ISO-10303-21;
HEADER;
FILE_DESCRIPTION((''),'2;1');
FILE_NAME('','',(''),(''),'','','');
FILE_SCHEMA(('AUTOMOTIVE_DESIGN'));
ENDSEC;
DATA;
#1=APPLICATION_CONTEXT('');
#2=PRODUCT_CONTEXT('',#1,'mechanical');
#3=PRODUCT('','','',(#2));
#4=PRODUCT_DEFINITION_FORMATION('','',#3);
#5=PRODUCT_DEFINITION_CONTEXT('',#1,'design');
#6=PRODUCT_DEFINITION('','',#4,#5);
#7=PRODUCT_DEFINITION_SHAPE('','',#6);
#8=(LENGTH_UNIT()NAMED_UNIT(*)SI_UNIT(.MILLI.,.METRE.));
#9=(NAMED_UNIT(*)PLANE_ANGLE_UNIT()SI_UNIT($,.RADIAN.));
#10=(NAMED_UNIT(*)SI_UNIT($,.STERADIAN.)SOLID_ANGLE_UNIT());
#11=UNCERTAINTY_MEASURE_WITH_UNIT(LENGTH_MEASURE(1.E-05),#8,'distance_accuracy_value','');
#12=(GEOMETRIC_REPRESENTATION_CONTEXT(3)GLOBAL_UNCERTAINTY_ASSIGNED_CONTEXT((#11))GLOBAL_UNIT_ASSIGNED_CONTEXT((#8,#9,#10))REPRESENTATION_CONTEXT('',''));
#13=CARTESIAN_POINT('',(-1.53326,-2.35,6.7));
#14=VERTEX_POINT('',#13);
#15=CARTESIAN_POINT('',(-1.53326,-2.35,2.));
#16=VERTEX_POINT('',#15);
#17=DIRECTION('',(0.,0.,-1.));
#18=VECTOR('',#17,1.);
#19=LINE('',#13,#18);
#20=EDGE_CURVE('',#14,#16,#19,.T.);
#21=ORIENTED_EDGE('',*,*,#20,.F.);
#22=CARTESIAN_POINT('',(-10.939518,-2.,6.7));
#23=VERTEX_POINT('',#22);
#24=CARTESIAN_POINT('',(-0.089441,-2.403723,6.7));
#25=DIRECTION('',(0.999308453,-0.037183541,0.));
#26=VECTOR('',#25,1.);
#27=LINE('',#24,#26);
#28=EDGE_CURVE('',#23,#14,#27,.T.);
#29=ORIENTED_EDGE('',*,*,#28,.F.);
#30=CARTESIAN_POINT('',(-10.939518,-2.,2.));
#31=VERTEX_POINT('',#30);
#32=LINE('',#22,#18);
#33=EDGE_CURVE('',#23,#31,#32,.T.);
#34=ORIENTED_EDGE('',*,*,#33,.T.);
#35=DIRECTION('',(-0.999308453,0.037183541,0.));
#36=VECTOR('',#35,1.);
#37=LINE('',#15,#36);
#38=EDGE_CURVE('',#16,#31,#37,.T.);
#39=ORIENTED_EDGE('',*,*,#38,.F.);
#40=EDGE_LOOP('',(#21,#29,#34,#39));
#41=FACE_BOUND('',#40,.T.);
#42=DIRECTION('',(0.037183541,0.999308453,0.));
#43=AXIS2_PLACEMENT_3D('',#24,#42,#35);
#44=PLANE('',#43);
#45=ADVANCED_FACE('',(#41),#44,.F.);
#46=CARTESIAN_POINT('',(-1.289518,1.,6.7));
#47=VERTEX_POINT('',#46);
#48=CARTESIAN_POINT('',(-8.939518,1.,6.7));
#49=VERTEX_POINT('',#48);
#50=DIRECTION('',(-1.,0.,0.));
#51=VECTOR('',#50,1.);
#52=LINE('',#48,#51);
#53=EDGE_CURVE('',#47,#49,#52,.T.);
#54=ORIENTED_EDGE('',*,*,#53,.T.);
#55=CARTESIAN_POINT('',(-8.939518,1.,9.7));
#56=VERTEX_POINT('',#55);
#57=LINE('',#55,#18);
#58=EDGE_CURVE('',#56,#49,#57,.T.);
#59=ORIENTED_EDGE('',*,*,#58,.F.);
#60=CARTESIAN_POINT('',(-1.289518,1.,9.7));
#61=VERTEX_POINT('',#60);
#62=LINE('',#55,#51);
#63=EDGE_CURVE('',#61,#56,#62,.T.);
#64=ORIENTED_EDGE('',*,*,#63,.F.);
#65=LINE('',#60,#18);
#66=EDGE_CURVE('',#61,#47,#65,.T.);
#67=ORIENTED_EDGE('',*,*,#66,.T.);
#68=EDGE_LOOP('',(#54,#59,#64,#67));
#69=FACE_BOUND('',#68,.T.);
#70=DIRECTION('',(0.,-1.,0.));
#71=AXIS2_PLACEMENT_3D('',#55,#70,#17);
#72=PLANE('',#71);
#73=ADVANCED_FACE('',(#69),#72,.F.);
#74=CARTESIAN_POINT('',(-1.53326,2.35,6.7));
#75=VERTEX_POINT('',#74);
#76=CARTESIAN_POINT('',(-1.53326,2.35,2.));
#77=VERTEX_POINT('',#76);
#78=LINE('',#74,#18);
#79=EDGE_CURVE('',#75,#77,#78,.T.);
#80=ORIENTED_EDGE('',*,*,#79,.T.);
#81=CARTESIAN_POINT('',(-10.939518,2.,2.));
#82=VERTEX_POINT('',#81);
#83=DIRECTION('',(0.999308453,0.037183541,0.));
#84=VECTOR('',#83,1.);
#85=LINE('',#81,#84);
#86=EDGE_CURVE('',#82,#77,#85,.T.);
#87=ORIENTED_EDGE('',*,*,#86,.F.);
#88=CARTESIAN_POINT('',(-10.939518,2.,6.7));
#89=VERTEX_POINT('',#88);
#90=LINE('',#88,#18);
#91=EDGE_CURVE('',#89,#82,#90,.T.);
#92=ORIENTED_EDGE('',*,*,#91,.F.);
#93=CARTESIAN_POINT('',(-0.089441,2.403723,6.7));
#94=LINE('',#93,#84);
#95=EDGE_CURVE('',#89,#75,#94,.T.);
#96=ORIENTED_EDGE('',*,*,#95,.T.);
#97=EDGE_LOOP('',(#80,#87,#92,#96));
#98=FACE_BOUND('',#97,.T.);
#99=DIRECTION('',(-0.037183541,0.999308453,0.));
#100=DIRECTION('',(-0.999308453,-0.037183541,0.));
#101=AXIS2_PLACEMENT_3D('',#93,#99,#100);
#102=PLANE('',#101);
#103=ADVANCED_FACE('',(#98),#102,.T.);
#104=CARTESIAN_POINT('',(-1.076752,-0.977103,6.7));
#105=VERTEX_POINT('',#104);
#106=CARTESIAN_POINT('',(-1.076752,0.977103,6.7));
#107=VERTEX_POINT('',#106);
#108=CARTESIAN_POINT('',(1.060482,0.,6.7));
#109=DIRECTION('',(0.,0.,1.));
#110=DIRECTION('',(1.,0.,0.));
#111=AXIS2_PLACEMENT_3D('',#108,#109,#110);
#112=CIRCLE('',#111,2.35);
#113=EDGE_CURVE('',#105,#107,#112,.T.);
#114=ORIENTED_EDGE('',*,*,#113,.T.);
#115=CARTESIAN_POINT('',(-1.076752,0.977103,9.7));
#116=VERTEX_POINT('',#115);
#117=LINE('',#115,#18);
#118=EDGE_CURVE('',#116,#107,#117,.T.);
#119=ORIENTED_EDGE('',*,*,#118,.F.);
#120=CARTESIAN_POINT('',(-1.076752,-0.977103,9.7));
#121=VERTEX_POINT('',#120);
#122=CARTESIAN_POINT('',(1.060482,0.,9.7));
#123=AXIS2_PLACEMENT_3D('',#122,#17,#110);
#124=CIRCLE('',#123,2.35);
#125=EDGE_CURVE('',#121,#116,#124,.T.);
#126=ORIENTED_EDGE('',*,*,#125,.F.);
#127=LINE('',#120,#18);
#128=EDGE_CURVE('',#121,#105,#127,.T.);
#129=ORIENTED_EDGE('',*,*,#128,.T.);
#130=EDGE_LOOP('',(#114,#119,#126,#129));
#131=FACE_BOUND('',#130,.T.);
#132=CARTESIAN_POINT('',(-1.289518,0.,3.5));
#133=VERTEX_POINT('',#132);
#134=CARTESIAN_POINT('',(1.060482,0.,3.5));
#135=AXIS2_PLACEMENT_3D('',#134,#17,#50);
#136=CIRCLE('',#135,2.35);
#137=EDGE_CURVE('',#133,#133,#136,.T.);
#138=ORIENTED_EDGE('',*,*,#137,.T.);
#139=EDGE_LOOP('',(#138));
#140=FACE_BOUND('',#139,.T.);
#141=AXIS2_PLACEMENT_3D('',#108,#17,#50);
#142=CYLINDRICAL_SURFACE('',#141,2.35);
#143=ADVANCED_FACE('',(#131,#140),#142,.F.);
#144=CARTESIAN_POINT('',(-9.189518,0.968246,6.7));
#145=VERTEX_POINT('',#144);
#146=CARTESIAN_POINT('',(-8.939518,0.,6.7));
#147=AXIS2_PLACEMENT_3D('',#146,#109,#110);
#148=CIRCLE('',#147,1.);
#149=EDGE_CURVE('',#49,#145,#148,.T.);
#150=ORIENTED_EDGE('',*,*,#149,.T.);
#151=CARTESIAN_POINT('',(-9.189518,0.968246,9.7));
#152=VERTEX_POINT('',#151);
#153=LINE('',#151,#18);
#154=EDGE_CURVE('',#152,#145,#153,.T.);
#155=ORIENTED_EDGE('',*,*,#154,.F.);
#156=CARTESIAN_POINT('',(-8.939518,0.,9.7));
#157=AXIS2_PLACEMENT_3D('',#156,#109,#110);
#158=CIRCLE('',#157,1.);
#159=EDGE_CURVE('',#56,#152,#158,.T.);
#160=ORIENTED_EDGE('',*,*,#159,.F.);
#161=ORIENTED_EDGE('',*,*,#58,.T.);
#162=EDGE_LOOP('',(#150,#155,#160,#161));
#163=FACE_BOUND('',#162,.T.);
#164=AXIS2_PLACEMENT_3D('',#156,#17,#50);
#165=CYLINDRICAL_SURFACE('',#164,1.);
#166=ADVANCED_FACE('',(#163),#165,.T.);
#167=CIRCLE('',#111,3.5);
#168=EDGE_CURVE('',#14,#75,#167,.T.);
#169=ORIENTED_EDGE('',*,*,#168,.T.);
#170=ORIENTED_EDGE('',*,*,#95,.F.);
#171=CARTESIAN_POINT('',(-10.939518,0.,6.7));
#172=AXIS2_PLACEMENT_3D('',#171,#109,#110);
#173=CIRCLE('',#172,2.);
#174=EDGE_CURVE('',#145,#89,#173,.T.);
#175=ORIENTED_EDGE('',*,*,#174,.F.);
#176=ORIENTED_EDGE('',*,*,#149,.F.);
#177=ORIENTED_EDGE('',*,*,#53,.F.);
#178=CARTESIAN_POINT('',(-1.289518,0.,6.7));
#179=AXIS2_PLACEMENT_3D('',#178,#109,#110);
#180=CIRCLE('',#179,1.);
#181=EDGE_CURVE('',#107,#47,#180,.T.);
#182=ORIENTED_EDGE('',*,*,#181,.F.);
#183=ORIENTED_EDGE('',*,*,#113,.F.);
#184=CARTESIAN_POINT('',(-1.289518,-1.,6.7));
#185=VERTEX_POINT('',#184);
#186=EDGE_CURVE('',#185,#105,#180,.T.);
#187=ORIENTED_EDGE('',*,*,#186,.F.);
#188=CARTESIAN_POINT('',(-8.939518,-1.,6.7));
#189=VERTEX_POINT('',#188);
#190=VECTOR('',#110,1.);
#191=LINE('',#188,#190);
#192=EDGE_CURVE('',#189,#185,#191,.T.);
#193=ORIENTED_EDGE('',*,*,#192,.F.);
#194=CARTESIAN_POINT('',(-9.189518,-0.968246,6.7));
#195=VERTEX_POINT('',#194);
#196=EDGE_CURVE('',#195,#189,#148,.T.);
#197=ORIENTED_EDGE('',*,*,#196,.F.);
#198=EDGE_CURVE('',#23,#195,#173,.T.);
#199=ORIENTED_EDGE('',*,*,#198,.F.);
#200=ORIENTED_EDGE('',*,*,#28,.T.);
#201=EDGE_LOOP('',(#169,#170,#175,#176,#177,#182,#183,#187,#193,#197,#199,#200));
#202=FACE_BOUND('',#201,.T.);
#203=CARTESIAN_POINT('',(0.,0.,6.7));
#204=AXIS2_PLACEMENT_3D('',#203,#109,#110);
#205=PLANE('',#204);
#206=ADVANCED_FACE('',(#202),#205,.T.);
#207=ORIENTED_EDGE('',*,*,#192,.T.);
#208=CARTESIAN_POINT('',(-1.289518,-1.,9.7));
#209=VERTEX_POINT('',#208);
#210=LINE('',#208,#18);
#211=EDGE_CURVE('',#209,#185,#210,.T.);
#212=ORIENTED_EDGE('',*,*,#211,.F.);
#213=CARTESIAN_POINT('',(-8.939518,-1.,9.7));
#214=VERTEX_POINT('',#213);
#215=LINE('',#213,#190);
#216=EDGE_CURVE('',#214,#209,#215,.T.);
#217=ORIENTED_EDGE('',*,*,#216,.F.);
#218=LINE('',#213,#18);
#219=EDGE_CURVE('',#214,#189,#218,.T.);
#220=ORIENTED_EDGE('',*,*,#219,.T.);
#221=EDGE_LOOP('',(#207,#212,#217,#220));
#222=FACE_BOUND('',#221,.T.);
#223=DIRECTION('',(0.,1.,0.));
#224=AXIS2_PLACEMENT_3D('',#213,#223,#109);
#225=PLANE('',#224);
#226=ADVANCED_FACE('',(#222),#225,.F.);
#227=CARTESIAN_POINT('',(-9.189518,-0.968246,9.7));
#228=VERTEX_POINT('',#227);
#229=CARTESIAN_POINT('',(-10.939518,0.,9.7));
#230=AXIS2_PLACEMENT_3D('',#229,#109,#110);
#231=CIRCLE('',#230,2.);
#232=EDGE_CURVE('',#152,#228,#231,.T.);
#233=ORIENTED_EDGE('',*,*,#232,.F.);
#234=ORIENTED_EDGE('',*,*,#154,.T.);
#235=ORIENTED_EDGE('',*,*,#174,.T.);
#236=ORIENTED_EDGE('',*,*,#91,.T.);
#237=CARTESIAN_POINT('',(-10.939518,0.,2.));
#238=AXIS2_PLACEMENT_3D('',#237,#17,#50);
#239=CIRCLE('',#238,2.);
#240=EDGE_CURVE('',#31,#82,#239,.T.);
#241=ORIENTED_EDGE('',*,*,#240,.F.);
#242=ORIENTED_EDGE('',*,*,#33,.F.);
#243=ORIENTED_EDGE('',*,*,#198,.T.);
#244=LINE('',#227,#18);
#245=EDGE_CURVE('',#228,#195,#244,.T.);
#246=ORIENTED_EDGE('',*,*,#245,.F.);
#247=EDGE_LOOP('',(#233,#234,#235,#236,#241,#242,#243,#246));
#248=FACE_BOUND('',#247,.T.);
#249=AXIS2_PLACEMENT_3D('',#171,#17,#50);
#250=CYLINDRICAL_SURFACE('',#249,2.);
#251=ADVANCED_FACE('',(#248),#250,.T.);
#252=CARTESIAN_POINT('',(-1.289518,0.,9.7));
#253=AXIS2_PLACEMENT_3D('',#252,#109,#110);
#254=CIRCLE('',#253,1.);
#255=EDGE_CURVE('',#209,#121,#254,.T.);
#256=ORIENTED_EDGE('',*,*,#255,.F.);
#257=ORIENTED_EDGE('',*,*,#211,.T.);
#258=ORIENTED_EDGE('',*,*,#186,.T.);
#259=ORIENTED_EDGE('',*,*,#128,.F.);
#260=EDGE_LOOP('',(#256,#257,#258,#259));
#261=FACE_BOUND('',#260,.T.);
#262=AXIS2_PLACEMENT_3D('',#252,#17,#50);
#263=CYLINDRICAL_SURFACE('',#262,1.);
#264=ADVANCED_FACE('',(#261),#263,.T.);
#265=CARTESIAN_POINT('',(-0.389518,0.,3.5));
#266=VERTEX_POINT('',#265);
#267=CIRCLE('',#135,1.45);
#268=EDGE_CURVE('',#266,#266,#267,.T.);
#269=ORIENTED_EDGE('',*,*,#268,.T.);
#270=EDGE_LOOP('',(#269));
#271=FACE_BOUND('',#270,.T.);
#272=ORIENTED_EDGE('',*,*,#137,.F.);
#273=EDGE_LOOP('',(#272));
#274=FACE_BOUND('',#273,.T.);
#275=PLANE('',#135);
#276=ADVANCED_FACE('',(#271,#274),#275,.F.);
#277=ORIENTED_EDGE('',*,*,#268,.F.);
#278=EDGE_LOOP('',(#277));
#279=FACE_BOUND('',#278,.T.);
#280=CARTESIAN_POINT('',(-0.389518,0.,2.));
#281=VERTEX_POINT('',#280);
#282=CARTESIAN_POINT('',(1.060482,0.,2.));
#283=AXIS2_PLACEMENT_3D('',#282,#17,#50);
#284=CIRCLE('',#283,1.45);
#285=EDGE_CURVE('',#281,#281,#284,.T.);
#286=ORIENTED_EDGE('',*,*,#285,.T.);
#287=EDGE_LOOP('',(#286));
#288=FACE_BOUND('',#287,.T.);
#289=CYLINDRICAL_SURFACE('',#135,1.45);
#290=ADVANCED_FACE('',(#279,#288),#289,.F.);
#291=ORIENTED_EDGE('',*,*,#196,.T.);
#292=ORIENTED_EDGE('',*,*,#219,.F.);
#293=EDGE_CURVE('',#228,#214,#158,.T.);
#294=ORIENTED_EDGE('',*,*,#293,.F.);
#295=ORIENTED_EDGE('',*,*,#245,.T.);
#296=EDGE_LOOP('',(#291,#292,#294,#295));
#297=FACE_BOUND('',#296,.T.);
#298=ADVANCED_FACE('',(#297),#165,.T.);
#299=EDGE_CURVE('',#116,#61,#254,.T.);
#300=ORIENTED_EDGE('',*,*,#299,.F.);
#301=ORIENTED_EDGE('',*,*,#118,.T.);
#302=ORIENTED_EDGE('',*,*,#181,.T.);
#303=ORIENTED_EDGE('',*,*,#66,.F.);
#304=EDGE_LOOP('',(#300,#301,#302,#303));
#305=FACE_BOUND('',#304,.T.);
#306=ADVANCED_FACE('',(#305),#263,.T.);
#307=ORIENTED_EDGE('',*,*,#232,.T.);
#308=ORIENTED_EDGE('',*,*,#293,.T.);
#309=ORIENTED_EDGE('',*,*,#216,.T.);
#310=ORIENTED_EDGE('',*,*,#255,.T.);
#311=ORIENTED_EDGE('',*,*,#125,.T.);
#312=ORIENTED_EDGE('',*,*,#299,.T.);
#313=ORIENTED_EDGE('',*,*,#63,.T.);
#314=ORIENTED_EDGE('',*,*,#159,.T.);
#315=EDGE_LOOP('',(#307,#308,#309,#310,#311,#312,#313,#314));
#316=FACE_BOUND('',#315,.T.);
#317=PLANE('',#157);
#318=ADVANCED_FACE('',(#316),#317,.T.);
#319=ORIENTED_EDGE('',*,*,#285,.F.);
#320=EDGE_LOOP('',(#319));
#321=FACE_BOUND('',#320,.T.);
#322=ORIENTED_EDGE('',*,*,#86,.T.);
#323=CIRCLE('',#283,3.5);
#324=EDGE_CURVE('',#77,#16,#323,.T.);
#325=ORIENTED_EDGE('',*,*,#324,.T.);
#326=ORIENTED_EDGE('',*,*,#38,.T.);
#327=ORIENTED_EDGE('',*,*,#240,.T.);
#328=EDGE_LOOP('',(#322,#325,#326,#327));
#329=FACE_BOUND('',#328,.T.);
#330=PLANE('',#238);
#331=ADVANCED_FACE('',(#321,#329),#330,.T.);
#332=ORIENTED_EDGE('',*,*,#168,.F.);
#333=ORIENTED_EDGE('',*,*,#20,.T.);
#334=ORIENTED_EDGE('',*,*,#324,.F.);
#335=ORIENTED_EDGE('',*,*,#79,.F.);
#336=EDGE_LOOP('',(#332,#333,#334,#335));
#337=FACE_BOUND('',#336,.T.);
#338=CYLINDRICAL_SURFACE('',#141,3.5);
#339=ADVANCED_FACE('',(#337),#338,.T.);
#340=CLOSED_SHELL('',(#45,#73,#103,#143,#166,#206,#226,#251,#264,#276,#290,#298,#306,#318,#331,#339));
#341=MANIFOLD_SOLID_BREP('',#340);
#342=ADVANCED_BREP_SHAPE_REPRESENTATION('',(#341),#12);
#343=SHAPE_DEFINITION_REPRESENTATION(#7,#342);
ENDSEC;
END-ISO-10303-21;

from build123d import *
from build123d.topology import SkipClean

# Parameters (mm, degrees)
SKETCH1_R           = 2.35
BOSS_EXTRUDE1_DEPTH = 6.7
BOSS_EXTRUDE2_DEPTH = 3
CUT_EXTRUDE1_DEPTH  = 2
SKETCH4_R           = 2.35
SKETCH4_R_2         = 1.45
BOSS_EXTRUDE3_DEPTH = 1.5


with BuildPart() as part:
    # Sketch1 → Boss-Extrude1 (new body)
    with BuildSketch(Plane.XY):
        with BuildLine():
            Line((-1.533260445, 2.35), (-10.939517975, 2))
            ThreePointArc((-10.939517975, 2), (-12.939517975, 0), (-10.939517975, -2))
            Line((-10.939517975, -2), (-1.533260445, -2.35))
            ThreePointArc((-1.533260445, -2.35), (4.560482025, 0), (-1.533260445, 2.35))
        make_face()
        with Locations((1.060482025, 0)):
            Circle(SKETCH1_R, mode=Mode.SUBTRACT)
    extrude(amount=BOSS_EXTRUDE1_DEPTH)

    # Sketch2 → Boss-Extrude2 (add)
    with SkipClean():  # the faces are left unmerged after this step: merging them gives an invalid solid
        with BuildSketch(Plane.XY.offset(6.7)):
            with BuildLine():
                Line((-8.939517975, 1), (-1.289517975, 1))
                ThreePointArc((-1.289517975, 1), (-1.18252076, 0.99425932), (-1.076752018, 0.977103192))
                ThreePointArc((-1.076752018, 0.977103192), (-1.289517975, 0), (-1.076752018, -0.977103192))
                ThreePointArc((-1.076752018, -0.977103192), (-1.18252076, -0.99425932), (-1.289517975, -1))
                Line((-1.289517975, -1), (-8.939517975, -1))
                ThreePointArc((-8.939517975, -1), (-9.065522268, -0.992029696), (-9.189517975, -0.968245837))
                ThreePointArc((-9.189517975, -0.968245837), (-12.939517975, 0), (-9.189517975, 0.968245837))
                ThreePointArc((-9.189517975, 0.968245837), (-9.065522268, 0.992029696), (-8.939517975, 1))
            make_face()
        extrude(amount=BOSS_EXTRUDE2_DEPTH)

    # Sketch3 → Cut-Extrude1 (cut)
    with SkipClean():  # the faces are left unmerged after this step: merging them gives an invalid solid
        with BuildSketch(Plane(origin=(0, 0, 0), x_dir=(-1, 0, 0), z_dir=(0, 0, -1))):
            with BuildLine():
                Line((10.939517975, 2), (1.533260445, 2.35))
                ThreePointArc((1.533260445, 2.35), (-4.560482025, 0), (1.533260445, -2.35))
                Line((1.533260445, -2.35), (10.939517975, -2))
                ThreePointArc((10.939517975, -2), (12.939517975, 0), (10.939517975, 2))
            make_face()
        extrude(amount=-CUT_EXTRUDE1_DEPTH, mode=Mode.SUBTRACT)

    # Sketch4 → Boss-Extrude3 (add)
    with SkipClean():  # the faces are left unmerged after this step: merging them gives an invalid solid
        with BuildSketch(Plane(origin=(0, 0, 2), x_dir=(-1, 0, 0), z_dir=(0, 0, -1))):
            with Locations((-1.060482025, 0)):
                Circle(SKETCH4_R)
            with Locations((-1.060482025, 0)):
                Circle(SKETCH4_R_2, mode=Mode.SUBTRACT)
        extrude(amount=-BOSS_EXTRUDE3_DEPTH)


solid = part.part
